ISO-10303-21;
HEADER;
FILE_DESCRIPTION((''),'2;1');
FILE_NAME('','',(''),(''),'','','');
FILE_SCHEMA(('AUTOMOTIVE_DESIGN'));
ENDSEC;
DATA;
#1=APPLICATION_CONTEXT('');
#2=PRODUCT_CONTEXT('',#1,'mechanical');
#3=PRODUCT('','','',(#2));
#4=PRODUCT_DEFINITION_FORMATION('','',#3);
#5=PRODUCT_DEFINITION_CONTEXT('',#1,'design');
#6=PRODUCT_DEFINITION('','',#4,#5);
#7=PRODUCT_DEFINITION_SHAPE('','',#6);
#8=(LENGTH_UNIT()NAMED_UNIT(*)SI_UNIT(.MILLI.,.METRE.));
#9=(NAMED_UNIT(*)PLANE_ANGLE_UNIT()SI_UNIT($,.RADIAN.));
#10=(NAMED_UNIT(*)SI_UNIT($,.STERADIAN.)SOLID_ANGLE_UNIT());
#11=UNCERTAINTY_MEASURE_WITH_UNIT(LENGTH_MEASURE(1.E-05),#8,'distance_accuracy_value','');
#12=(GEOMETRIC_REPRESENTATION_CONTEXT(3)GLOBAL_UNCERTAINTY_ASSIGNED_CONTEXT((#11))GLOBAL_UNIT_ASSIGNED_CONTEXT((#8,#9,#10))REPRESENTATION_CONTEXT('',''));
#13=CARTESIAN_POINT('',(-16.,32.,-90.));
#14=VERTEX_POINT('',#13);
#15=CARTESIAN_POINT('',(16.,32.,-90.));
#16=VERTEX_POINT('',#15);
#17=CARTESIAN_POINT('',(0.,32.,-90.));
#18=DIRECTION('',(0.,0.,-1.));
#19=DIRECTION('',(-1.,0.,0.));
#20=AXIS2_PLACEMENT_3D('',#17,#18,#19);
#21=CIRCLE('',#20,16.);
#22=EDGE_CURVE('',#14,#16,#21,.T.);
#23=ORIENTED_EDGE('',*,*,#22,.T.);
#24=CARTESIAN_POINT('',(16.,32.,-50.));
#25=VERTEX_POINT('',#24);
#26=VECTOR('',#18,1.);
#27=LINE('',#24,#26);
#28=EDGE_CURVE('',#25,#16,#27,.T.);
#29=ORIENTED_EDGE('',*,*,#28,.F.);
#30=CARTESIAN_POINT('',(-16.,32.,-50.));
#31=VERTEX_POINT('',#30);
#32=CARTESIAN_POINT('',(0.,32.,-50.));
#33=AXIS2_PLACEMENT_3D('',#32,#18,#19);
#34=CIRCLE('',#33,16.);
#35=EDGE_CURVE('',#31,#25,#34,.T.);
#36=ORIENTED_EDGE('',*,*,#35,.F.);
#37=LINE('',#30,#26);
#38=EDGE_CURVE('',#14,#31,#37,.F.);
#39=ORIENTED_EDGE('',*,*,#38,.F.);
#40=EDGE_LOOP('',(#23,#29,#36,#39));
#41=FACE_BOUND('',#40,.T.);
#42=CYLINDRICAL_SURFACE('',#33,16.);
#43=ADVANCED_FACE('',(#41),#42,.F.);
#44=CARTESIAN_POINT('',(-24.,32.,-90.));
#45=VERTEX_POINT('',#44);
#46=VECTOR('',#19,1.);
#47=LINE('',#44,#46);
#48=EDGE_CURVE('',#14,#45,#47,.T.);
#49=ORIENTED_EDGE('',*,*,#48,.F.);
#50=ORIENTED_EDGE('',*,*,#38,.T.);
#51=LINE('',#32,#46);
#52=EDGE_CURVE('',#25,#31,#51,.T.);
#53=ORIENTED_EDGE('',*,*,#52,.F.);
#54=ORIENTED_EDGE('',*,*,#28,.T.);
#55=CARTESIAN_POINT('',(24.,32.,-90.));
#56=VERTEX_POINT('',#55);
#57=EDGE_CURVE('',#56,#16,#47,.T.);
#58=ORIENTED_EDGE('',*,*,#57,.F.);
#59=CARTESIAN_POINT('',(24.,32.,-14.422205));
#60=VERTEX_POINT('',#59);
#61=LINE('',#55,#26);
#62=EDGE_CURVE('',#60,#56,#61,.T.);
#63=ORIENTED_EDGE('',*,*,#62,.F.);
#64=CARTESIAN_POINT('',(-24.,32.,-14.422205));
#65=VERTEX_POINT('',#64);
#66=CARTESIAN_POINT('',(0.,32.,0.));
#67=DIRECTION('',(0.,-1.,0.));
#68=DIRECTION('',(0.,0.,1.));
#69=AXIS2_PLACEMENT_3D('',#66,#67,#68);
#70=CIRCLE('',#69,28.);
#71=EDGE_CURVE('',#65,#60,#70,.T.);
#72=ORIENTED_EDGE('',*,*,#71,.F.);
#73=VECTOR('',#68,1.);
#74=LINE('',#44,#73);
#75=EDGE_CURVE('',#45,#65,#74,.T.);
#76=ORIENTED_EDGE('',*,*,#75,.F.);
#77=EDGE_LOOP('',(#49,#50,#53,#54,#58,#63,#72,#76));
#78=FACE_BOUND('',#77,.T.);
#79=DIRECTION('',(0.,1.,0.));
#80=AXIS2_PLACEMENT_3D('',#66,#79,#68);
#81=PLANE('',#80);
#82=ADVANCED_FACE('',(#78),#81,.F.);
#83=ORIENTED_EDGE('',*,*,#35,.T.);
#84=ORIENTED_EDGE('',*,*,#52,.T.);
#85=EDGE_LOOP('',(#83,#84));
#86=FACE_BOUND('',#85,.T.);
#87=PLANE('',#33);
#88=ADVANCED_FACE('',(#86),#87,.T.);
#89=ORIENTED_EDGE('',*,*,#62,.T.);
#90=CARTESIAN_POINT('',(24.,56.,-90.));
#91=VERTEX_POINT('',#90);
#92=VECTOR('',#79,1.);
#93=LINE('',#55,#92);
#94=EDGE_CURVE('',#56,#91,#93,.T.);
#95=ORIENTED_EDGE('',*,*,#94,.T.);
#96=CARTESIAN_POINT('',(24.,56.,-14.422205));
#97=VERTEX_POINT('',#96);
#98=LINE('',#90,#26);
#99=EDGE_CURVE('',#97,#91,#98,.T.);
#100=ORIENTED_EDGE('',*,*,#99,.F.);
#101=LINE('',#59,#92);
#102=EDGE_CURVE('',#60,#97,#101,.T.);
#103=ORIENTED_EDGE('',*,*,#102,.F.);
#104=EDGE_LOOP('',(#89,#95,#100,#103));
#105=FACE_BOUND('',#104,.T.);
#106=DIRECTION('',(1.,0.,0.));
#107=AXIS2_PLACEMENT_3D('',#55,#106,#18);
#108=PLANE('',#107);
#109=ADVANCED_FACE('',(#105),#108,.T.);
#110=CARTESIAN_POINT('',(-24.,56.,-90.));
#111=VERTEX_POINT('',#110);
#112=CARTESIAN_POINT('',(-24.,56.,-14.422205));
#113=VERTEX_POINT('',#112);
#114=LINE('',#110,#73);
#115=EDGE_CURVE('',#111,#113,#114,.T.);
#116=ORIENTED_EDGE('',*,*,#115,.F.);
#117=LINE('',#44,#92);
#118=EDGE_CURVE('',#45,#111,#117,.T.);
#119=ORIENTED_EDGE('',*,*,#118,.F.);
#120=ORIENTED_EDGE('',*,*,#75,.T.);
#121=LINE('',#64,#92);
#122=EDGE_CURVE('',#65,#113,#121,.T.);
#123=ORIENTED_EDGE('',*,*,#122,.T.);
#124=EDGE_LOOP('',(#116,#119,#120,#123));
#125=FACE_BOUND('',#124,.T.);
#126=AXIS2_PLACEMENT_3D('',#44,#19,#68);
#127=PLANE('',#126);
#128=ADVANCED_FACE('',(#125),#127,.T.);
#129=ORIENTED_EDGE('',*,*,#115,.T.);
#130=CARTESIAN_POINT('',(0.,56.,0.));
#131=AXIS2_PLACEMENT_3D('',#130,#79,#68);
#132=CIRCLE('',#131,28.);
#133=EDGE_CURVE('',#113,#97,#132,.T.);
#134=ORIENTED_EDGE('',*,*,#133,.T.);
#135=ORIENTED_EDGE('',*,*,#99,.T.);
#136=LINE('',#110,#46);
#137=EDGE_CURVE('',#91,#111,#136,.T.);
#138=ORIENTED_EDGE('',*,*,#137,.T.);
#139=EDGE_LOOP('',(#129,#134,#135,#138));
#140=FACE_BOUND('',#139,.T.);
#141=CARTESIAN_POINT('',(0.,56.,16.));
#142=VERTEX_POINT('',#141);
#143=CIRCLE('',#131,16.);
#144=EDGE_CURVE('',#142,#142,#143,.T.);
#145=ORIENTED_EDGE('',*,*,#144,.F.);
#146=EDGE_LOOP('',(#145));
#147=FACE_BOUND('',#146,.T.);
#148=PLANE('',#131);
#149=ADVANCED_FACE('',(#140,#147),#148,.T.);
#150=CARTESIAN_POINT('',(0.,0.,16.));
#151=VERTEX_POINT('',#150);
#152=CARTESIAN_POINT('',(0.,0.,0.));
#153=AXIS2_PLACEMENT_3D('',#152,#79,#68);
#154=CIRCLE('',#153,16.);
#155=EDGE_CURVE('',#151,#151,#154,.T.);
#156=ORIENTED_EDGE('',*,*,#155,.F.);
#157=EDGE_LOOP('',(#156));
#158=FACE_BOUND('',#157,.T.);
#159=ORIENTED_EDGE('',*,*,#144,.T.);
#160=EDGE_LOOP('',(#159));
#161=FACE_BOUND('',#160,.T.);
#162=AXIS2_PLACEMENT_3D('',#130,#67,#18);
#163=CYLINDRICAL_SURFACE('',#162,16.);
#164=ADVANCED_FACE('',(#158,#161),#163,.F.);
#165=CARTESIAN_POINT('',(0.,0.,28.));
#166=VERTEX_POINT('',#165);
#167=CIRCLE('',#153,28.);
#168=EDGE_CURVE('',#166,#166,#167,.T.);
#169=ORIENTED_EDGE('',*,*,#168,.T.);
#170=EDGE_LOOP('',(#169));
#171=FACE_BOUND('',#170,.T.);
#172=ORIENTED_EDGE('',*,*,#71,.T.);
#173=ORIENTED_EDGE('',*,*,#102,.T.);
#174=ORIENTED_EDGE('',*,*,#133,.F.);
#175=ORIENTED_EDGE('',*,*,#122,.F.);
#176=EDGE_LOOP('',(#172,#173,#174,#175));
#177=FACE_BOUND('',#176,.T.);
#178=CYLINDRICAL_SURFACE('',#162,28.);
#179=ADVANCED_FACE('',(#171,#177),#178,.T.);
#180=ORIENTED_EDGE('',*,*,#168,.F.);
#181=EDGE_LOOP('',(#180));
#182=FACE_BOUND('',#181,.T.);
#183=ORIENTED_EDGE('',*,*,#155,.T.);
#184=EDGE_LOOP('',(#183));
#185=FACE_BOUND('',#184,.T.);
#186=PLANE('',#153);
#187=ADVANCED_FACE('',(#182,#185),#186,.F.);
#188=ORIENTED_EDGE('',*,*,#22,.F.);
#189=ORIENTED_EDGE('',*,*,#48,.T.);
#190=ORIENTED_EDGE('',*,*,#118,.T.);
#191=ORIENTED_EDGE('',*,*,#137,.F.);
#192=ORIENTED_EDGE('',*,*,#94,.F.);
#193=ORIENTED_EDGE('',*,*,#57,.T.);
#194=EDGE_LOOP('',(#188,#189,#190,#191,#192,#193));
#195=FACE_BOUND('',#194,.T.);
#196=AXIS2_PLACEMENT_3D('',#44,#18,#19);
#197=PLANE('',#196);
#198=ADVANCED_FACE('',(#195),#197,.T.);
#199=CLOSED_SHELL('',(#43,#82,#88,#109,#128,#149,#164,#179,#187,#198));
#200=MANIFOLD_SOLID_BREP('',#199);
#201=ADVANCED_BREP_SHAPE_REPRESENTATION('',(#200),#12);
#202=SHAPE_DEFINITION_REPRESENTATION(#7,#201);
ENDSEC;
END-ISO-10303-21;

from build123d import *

# Parameters (mm, degrees)
SKETCH1_R           = 28
SKETCH1_R_2         = 16
BOSS_EXTRUDE1_DEPTH = 56
BOSS_EXTRUDE2_START = -24
BOSS_EXTRUDE2_DEPTH = 24
SKETCH5_R           = 16
CUT_EXTRUDE2_DEPTH  = 40


with BuildPart() as part:
    # Sketch1 → Boss-Extrude1 (new body)
    with BuildSketch(Plane(origin=(0, 0, 0), x_dir=(1, 0, 0), z_dir=(0, 1, 0))):
        with Locations(Location((0, 0, 0), (0, 0, 270))):
            Circle(SKETCH1_R)
        with Locations(Location((0, 0, 0), (0, 0, 270))):
            Circle(SKETCH1_R_2, mode=Mode.SUBTRACT)
    extrude(amount=BOSS_EXTRUDE1_DEPTH)

    # Sketch3 → Boss-Extrude2 (add)
    with BuildSketch(Plane(origin=(0, 56, 0), x_dir=(1, 0, 0), z_dir=(0, 1, 0)).offset(BOSS_EXTRUDE2_START)):
        with BuildLine():
            Line((-24, 90), (24, 90))
            Line((24, 90), (24, 14.422205102))
            ThreePointArc((24, 14.422205102), (0, 28), (-24, 14.422205102))
            Line((-24, 14.422205102), (-24, 90))
        make_face()
    extrude(amount=BOSS_EXTRUDE2_DEPTH)

    # Sketch5 → Cut-Extrude2 (cut)
    with BuildSketch(Plane(origin=(0, 0, -90), x_dir=(-1, 0, 0), z_dir=(0, 0, -1))):
        with Locations((0, 32)):
            Circle(SKETCH5_R)
    extrude(amount=-CUT_EXTRUDE2_DEPTH, mode=Mode.SUBTRACT)


solid = part.part
